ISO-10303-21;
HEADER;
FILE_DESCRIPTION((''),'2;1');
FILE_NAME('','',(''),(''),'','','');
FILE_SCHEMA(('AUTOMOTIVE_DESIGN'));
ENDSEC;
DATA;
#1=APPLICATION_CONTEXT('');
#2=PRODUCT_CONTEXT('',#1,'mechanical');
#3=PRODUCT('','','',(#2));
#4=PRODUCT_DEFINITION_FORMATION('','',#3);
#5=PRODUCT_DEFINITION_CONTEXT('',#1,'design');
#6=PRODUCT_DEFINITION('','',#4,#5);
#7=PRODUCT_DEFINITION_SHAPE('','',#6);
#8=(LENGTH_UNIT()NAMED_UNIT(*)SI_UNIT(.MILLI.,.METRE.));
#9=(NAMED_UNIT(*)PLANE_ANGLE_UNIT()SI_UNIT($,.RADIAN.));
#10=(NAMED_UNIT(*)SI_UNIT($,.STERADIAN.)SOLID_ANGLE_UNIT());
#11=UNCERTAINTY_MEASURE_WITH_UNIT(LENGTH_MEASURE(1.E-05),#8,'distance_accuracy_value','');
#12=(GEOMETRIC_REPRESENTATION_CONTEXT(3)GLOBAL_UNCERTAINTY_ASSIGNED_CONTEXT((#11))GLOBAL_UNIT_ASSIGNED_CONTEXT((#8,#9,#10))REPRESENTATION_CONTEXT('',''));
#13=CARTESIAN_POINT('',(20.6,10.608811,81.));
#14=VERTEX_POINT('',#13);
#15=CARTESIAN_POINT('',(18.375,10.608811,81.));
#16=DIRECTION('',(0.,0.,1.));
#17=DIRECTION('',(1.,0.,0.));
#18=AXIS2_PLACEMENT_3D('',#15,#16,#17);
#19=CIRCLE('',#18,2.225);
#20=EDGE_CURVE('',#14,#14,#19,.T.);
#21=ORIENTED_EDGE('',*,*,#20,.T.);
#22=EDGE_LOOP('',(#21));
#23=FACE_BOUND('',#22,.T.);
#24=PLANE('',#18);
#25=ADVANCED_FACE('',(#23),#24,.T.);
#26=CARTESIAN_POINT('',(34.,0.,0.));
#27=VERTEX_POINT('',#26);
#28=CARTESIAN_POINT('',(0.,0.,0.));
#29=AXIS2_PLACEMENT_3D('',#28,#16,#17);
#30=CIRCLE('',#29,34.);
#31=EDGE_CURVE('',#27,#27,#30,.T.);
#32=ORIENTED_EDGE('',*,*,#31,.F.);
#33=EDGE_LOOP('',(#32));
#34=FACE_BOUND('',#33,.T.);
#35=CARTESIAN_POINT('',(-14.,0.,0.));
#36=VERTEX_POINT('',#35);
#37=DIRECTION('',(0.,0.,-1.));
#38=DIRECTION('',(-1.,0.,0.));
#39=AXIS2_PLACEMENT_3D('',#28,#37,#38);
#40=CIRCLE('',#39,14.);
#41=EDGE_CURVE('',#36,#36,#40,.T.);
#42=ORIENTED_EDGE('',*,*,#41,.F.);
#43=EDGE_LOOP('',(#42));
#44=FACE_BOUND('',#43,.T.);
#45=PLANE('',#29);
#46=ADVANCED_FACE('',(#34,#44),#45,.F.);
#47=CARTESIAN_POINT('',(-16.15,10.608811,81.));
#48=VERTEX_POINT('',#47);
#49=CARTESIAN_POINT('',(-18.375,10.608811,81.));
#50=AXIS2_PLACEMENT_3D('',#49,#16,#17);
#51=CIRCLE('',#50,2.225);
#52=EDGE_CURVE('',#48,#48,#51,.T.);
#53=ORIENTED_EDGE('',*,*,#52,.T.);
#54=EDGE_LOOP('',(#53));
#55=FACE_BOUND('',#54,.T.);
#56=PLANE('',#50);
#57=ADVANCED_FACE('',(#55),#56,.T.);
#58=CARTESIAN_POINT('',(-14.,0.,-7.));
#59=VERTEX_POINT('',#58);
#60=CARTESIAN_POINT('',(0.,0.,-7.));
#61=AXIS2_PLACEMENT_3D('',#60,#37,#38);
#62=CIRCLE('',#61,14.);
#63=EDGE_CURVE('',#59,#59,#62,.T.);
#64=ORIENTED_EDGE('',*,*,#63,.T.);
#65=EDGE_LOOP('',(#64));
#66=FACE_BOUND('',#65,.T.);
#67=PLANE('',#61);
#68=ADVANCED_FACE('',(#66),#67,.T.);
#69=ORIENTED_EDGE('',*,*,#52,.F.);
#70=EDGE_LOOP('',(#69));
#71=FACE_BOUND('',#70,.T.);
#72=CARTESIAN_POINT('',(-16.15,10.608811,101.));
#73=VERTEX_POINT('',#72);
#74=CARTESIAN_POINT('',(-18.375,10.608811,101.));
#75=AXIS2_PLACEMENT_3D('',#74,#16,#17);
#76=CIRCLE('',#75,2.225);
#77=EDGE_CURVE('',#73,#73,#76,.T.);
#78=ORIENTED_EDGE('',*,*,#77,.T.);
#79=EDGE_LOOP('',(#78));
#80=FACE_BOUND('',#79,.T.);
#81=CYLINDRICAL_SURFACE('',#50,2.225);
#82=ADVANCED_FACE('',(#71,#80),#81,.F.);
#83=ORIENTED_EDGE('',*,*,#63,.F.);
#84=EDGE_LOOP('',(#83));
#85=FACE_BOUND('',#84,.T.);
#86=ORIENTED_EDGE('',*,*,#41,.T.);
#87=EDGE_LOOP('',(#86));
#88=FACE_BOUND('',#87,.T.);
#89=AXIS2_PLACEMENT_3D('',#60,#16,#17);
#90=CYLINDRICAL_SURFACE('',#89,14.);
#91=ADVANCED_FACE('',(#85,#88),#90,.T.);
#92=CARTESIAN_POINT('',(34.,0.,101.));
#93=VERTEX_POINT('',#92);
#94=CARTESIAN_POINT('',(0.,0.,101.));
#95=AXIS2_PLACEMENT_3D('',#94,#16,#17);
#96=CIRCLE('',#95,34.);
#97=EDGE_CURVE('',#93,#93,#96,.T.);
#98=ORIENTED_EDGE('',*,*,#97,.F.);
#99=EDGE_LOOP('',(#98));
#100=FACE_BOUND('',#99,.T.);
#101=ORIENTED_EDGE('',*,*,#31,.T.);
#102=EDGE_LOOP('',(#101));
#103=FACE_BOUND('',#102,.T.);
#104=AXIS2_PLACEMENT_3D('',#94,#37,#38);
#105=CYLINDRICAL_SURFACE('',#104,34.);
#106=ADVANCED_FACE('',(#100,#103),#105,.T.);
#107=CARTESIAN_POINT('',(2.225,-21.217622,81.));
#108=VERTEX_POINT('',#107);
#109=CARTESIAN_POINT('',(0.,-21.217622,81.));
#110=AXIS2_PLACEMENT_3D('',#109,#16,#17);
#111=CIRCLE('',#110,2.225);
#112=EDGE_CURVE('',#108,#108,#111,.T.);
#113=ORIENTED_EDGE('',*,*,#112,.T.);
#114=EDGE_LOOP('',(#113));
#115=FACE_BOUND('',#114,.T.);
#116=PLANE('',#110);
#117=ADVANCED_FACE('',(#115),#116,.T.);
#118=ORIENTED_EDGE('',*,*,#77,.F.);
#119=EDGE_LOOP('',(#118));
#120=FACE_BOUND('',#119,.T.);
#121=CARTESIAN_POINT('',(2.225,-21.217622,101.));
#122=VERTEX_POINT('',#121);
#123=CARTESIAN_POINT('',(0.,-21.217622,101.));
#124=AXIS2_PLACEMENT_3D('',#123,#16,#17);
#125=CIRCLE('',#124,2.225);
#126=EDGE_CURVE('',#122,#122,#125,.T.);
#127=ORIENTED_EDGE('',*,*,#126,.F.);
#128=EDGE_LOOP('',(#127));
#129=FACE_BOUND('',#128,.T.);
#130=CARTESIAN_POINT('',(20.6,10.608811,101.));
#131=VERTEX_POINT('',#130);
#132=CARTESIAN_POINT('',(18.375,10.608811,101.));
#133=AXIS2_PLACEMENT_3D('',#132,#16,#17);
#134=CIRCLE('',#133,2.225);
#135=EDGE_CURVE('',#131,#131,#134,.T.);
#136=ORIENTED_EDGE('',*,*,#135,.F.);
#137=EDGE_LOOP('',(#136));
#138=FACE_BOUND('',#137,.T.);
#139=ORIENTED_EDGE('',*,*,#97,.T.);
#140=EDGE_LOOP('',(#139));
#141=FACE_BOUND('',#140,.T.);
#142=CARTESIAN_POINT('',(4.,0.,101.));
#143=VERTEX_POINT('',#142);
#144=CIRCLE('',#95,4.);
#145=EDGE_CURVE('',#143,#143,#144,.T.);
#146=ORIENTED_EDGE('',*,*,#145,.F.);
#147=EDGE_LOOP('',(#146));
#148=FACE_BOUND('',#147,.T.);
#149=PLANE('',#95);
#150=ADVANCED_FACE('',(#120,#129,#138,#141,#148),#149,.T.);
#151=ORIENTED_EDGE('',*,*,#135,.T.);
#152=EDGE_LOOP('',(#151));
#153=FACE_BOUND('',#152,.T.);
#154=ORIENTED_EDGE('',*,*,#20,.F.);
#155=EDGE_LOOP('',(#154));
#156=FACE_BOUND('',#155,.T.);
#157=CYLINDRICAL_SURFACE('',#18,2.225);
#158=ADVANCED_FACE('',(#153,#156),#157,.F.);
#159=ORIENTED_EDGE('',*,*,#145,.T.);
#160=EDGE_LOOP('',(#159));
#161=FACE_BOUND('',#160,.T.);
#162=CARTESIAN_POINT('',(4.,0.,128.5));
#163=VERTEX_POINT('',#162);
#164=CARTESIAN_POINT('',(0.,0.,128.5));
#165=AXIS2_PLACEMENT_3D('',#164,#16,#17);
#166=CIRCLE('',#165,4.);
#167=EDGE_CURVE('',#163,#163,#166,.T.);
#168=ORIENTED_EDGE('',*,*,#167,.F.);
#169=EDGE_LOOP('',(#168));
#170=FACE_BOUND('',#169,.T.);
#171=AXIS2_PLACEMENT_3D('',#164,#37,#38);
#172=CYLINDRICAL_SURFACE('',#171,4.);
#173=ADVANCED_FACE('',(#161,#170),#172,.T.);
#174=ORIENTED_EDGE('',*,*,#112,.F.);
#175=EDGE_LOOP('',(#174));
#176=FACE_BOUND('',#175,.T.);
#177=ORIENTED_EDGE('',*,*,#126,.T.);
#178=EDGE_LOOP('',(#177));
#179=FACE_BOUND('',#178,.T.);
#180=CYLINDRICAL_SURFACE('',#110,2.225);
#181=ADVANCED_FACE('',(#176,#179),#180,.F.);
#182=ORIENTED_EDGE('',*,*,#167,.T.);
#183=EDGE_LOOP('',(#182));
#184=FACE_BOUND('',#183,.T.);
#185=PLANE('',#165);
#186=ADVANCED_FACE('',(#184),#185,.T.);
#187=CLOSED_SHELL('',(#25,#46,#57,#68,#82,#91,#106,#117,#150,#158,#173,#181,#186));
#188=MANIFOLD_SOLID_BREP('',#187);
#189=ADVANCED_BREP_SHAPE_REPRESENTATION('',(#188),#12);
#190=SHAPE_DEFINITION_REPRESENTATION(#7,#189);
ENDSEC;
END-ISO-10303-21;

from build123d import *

# Parameters (mm, degrees)
SKETCH1_R           = 34
BOSS_EXTRUDE1_DEPTH = 101
SKETCH2_R           = 4
BOSS_EXTRUDE2_DEPTH = 27.5
SKETCH3_R           = 2.225
CUT_EXTRUDE1_DEPTH  = 20
SKETCH4_R           = 14
BOSS_EXTRUDE3_DEPTH = 7


with BuildPart() as part:
    # Sketch1 → Boss-Extrude1 (new body)
    with BuildSketch(Plane.XY):
        Circle(SKETCH1_R)
    extrude(amount=BOSS_EXTRUDE1_DEPTH)

    # Sketch2 → Boss-Extrude2 (add)
    with BuildSketch(Plane.XY.offset(101)):
        Circle(SKETCH2_R)
    extrude(amount=BOSS_EXTRUDE2_DEPTH)

    # Sketch3 → Cut-Extrude1 (cut)
    with BuildSketch(Plane.XY.offset(101)):
        with Locations((-18.375, 10.608811196)):
            Circle(SKETCH3_R)
        with Locations((18.375, 10.608811196)):
            Circle(SKETCH3_R)
        with Locations((0, -21.217622393)):
            Circle(SKETCH3_R)
    extrude(amount=-CUT_EXTRUDE1_DEPTH, mode=Mode.SUBTRACT)

    # Sketch4 → Boss-Extrude3 (add)
    with BuildSketch(Plane(origin=(0, 0, 0), x_dir=(-1, 0, 0), z_dir=(0, 0, -1))):
        Circle(SKETCH4_R)
    extrude(amount=BOSS_EXTRUDE3_DEPTH)


solid = part.part
